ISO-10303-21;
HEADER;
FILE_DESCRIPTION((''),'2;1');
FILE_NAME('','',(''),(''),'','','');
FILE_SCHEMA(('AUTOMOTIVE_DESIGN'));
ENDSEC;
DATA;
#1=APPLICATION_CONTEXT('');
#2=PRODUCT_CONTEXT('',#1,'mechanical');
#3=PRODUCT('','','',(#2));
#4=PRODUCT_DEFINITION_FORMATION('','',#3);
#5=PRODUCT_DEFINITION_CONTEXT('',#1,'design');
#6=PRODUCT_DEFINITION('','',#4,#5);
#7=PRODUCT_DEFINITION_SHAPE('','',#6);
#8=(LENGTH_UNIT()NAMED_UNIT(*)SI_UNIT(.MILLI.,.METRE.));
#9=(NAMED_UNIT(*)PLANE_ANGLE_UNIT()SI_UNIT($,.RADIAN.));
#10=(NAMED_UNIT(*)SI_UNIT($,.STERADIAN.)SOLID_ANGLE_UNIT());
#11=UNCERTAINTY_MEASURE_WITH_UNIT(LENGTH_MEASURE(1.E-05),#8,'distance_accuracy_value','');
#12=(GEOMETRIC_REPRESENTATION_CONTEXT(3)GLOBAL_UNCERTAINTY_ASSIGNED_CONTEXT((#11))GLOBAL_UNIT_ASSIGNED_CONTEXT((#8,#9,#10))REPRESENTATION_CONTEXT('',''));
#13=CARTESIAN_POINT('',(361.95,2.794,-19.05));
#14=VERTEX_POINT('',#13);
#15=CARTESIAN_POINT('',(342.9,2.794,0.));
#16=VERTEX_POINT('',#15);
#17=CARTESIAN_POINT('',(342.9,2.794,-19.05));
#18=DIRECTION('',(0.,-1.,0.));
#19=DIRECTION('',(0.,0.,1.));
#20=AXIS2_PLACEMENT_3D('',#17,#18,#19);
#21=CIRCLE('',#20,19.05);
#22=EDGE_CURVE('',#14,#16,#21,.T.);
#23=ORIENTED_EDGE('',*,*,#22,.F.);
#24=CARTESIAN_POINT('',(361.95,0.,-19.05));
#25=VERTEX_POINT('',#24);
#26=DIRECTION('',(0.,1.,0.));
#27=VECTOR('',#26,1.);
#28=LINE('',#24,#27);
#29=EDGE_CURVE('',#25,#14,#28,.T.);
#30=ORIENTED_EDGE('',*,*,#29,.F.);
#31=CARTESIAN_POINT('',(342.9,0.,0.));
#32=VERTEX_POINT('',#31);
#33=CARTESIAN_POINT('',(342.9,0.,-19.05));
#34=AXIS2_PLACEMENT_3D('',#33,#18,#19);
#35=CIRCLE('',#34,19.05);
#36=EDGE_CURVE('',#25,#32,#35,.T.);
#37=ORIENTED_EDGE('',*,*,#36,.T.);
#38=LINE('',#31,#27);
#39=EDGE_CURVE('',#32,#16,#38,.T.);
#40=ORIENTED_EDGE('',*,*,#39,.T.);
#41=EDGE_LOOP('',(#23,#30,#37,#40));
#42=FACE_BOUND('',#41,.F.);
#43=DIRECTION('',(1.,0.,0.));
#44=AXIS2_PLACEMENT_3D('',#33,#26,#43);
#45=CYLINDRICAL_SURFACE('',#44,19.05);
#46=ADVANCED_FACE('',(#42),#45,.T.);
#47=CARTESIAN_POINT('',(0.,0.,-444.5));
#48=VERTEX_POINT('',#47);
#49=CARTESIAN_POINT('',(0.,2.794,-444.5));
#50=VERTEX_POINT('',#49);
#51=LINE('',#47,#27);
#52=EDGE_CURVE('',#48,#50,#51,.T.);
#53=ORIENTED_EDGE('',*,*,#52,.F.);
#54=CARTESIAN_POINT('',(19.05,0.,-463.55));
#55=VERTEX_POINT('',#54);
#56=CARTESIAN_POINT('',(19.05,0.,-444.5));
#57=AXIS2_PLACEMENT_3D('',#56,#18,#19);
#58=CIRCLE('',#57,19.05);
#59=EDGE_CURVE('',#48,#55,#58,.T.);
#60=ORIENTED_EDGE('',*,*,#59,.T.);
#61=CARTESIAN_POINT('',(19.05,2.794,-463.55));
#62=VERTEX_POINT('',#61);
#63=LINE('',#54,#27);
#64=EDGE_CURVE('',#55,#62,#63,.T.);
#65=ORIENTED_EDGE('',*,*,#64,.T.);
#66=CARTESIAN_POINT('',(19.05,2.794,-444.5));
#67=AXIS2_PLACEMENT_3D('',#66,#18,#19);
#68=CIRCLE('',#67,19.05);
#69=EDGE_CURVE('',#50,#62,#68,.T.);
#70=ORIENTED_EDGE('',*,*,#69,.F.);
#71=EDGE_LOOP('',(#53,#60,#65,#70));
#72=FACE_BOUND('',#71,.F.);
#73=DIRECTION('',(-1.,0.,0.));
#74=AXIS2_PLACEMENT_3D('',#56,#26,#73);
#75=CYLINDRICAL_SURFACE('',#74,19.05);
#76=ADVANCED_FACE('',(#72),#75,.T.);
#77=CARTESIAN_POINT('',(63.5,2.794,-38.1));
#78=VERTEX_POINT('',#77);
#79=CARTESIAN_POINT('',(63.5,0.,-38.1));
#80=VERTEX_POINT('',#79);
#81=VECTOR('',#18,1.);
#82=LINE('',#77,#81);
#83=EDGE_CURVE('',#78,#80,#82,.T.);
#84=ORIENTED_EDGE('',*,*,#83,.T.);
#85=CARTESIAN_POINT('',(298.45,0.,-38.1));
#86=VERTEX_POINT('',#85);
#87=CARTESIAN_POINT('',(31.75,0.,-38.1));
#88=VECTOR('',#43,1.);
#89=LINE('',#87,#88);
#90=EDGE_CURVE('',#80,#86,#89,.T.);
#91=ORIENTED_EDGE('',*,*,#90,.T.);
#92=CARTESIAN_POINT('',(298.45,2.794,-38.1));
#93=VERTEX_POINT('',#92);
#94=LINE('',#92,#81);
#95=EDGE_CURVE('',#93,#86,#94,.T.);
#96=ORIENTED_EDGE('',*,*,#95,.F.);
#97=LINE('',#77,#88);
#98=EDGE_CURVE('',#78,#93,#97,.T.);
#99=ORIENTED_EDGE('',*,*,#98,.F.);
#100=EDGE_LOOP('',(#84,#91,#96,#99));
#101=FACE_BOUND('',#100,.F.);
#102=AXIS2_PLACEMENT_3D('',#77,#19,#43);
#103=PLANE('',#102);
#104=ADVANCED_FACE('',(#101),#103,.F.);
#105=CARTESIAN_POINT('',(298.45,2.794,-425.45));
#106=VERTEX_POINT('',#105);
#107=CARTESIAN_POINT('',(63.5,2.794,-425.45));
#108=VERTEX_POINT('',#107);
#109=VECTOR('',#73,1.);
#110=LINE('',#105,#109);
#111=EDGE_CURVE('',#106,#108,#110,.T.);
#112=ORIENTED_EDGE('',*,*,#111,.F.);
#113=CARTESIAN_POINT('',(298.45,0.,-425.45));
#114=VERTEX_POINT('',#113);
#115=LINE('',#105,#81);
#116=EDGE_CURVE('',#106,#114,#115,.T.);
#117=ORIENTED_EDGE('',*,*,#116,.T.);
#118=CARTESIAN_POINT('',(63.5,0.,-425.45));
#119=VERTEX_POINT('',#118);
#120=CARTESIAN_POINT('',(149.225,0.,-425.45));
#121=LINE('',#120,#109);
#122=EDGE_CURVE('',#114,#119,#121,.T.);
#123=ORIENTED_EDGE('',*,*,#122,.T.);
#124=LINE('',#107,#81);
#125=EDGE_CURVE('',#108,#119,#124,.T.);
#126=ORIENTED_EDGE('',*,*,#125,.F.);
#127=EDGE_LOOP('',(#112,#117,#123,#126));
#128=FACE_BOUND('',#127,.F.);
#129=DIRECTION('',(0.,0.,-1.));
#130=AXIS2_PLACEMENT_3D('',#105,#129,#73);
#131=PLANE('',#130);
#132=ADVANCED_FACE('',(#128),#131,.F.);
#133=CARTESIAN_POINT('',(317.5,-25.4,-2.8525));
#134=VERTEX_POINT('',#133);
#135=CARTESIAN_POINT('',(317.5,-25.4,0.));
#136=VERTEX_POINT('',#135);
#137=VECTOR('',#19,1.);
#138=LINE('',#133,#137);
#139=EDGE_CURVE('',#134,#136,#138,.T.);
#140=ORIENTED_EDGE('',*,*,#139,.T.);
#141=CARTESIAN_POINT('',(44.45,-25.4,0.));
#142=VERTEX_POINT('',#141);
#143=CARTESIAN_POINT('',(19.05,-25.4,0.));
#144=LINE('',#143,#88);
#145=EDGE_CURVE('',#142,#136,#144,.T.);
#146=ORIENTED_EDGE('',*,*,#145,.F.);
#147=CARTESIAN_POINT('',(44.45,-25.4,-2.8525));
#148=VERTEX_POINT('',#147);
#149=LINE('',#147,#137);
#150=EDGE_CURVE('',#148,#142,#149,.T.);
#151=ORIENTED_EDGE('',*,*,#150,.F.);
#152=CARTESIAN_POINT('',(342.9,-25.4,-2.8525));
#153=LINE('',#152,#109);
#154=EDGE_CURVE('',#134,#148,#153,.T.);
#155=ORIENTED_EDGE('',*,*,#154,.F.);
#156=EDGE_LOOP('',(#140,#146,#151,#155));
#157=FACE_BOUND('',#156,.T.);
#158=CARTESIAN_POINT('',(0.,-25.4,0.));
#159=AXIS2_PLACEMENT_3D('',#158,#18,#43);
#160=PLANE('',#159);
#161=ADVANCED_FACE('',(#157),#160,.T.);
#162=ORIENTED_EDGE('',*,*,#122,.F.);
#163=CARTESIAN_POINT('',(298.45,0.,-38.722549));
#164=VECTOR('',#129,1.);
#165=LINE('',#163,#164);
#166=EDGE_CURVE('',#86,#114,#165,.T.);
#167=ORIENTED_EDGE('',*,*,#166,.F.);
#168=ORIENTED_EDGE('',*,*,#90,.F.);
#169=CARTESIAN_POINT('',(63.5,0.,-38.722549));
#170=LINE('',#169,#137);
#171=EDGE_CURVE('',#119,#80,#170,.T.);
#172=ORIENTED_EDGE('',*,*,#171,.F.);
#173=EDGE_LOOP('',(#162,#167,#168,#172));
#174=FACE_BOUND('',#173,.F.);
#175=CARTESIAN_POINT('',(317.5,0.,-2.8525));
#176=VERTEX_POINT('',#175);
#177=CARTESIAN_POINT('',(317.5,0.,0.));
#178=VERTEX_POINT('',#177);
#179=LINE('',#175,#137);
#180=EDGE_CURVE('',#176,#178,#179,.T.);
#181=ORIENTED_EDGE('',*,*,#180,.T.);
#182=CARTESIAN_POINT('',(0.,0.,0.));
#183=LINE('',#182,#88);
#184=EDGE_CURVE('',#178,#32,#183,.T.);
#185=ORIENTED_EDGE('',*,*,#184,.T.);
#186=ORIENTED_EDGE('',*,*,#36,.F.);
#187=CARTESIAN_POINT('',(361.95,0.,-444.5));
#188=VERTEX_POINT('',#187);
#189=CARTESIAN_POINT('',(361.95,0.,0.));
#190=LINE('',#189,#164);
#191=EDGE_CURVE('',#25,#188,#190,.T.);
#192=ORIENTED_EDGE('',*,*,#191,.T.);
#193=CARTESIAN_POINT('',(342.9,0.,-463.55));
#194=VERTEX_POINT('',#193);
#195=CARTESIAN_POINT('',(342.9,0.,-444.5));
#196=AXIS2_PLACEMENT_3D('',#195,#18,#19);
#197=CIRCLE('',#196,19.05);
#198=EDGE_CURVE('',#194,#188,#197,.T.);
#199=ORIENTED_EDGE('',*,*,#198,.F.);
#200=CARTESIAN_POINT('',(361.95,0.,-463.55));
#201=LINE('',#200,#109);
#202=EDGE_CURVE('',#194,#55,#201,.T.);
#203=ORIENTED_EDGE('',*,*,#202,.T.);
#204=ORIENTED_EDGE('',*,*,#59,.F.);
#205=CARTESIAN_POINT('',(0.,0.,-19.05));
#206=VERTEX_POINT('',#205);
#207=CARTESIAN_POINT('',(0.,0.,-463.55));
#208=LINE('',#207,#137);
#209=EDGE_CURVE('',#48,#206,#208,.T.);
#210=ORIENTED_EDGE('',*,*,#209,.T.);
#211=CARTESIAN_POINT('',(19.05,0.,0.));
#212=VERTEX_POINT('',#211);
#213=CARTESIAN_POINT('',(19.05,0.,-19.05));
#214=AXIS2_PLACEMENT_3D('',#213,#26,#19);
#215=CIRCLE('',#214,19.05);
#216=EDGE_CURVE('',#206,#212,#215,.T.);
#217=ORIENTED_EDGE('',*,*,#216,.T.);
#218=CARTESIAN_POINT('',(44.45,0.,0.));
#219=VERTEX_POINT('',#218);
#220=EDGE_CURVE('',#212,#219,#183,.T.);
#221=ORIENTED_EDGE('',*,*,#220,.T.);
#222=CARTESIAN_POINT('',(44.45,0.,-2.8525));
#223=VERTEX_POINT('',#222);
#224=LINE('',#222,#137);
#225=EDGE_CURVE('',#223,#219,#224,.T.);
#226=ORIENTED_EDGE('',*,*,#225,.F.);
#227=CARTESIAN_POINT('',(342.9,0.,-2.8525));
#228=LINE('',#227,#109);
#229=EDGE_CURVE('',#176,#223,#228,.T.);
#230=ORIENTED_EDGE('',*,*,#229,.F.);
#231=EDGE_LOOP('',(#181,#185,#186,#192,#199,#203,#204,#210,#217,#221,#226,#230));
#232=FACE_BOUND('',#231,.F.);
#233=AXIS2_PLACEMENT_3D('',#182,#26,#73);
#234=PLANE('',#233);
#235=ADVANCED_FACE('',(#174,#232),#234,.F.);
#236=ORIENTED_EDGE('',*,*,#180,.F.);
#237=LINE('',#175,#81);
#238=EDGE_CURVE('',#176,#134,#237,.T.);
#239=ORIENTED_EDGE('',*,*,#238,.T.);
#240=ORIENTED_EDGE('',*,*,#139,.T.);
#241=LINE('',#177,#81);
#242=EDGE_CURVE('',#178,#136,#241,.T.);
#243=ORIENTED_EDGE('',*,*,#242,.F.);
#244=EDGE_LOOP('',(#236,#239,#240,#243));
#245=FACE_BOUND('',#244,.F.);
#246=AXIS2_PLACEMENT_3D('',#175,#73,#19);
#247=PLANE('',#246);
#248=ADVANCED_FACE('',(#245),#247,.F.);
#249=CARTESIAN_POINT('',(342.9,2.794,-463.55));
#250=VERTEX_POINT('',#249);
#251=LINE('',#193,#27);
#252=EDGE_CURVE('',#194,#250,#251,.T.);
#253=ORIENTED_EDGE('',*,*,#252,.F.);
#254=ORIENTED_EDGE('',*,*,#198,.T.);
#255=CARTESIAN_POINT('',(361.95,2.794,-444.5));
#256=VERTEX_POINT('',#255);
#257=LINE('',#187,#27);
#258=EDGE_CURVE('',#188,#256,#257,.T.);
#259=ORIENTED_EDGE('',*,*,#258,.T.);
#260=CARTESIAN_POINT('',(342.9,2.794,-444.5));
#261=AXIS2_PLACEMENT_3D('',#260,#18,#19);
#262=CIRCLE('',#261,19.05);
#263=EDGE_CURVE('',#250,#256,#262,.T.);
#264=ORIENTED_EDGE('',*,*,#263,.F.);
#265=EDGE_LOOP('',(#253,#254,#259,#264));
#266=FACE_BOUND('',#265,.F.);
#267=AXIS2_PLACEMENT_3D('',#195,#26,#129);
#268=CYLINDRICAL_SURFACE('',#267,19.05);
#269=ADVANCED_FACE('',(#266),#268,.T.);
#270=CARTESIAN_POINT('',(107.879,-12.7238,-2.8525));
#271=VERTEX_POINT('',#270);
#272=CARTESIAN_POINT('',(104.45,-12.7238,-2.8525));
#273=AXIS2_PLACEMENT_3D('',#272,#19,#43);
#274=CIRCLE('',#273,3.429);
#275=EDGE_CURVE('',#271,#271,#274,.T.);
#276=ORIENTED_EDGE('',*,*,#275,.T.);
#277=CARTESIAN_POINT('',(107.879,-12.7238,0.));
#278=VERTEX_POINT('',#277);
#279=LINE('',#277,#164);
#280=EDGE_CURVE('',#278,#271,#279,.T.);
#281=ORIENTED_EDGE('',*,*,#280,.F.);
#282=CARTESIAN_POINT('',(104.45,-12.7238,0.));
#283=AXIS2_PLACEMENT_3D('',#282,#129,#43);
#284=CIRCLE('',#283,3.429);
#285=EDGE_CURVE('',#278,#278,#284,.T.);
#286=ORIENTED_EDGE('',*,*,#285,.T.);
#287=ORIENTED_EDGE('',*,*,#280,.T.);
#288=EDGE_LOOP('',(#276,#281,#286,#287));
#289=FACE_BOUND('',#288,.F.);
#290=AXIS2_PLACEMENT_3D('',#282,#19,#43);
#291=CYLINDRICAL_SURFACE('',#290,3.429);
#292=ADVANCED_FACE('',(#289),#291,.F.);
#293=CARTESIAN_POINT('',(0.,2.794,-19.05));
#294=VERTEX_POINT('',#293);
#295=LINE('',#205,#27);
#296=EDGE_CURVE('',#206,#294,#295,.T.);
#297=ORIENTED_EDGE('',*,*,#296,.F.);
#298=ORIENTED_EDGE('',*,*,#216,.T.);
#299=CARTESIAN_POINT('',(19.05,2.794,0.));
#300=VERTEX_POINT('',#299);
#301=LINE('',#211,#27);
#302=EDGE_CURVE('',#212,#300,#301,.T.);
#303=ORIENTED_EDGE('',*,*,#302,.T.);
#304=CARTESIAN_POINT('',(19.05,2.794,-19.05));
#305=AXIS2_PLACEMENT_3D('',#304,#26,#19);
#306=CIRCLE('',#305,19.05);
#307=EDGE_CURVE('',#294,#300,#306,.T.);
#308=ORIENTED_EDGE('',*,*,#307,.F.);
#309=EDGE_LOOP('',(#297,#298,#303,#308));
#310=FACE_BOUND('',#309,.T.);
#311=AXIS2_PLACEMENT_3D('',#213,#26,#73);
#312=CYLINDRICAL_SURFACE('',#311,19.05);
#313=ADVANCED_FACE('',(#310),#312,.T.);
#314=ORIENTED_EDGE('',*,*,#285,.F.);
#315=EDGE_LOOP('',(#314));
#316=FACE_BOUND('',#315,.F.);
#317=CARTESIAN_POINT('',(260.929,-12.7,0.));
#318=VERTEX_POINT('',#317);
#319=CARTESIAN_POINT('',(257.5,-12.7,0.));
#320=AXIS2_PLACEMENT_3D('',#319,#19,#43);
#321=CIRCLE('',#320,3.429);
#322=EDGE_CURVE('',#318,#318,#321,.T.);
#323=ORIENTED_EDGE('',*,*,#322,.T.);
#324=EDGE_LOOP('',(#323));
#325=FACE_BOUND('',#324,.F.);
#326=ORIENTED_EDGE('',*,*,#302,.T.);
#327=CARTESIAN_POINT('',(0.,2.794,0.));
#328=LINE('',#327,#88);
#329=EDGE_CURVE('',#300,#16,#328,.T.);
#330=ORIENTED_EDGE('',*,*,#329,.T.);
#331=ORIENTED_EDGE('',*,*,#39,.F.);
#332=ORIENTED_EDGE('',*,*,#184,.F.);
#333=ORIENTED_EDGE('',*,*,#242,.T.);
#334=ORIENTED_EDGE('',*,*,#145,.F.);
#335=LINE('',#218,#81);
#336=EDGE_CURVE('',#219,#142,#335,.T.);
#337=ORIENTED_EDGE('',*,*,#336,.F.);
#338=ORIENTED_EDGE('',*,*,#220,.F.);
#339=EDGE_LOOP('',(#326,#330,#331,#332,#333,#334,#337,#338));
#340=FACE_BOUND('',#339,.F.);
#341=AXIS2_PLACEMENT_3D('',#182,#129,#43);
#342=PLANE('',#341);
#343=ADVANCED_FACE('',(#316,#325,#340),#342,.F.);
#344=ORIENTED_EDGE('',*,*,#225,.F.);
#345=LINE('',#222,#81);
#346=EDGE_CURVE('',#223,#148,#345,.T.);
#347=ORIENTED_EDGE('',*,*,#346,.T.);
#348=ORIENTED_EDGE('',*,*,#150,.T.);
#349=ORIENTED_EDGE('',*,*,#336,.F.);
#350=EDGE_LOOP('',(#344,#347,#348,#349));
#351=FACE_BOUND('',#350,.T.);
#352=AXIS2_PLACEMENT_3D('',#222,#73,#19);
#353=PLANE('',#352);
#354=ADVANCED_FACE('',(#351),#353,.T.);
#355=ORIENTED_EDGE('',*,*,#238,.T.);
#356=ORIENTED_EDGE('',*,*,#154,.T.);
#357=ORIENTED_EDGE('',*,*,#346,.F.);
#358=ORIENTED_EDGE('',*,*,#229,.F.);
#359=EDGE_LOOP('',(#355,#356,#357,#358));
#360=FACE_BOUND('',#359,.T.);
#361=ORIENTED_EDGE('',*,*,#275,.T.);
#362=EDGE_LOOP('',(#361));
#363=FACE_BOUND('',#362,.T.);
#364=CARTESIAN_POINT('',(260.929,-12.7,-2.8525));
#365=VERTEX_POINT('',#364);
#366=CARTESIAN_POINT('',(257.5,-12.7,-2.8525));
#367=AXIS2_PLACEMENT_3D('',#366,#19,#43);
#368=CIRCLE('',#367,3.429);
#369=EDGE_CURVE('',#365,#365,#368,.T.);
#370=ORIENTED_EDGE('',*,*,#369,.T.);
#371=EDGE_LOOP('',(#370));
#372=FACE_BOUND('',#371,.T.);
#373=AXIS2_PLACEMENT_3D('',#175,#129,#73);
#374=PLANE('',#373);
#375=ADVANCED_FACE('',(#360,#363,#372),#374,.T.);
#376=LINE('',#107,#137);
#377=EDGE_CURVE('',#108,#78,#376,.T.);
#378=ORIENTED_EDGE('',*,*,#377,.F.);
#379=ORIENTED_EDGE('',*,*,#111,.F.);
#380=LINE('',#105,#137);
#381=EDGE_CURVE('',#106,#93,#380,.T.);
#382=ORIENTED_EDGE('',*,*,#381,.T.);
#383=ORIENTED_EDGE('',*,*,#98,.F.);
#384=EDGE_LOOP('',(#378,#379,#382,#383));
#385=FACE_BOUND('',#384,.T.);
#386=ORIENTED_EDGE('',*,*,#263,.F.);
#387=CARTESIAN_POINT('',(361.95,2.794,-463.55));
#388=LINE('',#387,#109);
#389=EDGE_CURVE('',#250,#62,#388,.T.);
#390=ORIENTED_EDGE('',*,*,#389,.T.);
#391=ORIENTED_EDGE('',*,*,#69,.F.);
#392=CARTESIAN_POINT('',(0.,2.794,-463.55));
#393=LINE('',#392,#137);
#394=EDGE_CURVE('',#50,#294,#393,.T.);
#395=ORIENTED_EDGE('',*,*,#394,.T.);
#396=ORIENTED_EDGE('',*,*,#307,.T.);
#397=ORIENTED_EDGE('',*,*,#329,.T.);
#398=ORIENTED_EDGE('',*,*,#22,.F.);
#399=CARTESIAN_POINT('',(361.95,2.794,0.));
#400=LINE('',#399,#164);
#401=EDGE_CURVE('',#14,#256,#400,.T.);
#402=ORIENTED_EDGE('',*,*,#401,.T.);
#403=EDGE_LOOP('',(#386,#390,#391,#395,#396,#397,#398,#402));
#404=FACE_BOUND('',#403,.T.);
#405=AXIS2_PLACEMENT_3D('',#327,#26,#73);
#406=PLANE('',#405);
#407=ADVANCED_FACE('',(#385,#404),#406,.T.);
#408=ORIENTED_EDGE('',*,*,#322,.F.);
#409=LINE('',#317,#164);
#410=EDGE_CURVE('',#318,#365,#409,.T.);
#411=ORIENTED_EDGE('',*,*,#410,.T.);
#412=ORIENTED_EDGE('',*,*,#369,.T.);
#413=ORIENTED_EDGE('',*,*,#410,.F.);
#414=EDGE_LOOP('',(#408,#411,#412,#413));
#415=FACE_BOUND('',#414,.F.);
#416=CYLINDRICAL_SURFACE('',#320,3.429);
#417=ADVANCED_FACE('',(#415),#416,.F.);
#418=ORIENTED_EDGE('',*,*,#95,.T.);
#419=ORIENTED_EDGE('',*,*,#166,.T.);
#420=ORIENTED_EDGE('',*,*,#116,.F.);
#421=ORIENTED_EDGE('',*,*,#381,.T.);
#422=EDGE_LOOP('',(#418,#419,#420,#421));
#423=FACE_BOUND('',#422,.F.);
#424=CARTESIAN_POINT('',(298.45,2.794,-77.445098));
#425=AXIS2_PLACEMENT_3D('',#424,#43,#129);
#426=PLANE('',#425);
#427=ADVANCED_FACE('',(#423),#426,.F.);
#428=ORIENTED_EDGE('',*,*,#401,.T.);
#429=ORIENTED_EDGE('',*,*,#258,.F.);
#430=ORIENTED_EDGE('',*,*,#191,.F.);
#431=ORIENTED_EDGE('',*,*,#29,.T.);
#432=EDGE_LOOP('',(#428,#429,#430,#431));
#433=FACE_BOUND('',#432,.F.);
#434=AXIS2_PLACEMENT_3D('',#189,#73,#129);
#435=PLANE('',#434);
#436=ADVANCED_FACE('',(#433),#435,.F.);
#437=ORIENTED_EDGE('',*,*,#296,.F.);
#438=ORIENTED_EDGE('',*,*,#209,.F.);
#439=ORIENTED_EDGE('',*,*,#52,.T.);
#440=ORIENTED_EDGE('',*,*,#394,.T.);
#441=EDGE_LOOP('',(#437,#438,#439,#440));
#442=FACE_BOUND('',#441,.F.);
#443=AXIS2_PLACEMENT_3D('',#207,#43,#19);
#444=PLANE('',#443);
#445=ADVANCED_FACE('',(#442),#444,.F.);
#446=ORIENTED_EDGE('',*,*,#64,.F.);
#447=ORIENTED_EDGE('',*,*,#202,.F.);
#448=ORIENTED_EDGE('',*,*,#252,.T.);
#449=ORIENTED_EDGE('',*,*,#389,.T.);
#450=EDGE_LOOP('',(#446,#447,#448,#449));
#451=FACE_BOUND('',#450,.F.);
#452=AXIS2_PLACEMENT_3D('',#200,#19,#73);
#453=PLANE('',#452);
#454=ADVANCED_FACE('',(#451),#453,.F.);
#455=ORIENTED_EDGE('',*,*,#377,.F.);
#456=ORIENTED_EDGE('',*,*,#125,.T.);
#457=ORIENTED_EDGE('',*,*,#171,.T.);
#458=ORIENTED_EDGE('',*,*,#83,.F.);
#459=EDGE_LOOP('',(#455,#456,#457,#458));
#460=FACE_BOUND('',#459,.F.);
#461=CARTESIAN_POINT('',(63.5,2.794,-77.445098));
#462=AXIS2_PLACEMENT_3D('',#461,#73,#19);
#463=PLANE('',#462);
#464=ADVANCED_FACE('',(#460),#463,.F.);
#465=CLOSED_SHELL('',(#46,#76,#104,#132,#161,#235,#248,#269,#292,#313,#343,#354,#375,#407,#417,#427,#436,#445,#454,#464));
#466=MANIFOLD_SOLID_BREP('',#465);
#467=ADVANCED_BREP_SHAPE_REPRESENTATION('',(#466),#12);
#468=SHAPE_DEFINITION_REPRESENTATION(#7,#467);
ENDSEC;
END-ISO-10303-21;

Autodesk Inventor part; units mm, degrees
ref_plane "YZ Plane" through (0, 0, 0) normal (1, 0, 0) x (0, 1, 0)
ref_plane "XZ Plane" through (0, 0, 0) normal (0, 1, 0) x (-1, 0, 0)
ref_plane "XY Plane" through (0, 0, 0) normal (0, 0, 1) x (1, 0, 0)
sketch "Sketch1" plane through (0, 0, 0) normal (0, 1, 0) x (-1, 0, 0)
  line L0 (0, 0) -> (-361.95, 0)
  line L1 (-361.95, 0) -> (-361.95, -463.55)
  line L2 (-361.95, -463.55) -> (0, -463.55)
  line L3 (0, -463.55) -> (0, 0)
  dimension "d0" = 361.95
  dimension "d1" = 463.55
extrude "Extrusion1" add sketch "Sketch1" along normal blind 2.794
fillet "Fillet1" radius 19.05 4 edges at (361.95, 1.397, 0) (361.95, 1.397, -463.55) (0, 1.397, -463.55) (0, 1.397, 0)
sketch "Sketch2" plane through (0, 0, 0) normal (0, -1, 0) x (1, 0, 0)
  line L0 (19.05, 0) -> (342.9, 0)
  line L1 (342.9, 0) -> (342.9, -2.8525)
  line L2 (342.9, -2.8525) -> (19.05, -2.8525)
  line L3 (19.05, -2.8525) -> (19.05, 0)
  line L4 (342.9, -2.8525) -> (317.5, -2.8525)
  line L5 (317.5, -2.8525) -> (317.5, 0)
  line L6 (317.5, 0) -> (342.9, 0)
  line L7 (342.9, 0) -> (342.9, -2.8525)
  line L8 (19.05, -2.8525) -> (44.45, -2.8525)
  line L9 (44.45, -2.8525) -> (44.45, 0)
  line L10 (44.45, 0) -> (19.05, 0)
  line L11 (19.05, 0) -> (19.05, -2.8525)
  line L12 (44.45, -2.8525) -> (317.5, -2.8525)
  line L13 (317.5, -2.8525) -> (317.5, 0)
  line L14 (317.5, 0) -> (44.45, 0)
  line L15 (44.45, 0) -> (44.45, -2.8525)
  point P0 (0, 0)
  dimension "d5" = 25.4
  dimension "d6" = 25.4
extrude "Extrusion2" add sketch "Sketch2" along normal blind 25.4 contours L0 L5 L2 L9
sketch "Sketch3" plane through (19.05, 2.794, 0) normal (0, 0, 1) x (1, 0, 0)
  line L0 (323.85, -2.794) -> (0, -2.794) projected
  line L1 (25.405, -2.794) -> (25.4, -15.494)
  line L2 (25.4, -2.794) -> (25.4, -28.194) projected
  line L3 (25.4, -15.494) -> (85.4, -15.5178)
  line L4 (298.45, -2.794) -> (298.45, -28.194) projected
  line L5 (298.45, -15.494) -> (238.45, -15.494)
  circle A0 centre (85.4, -15.5178) radius 3.429
  circle A1 centre (238.45, -15.494) radius 3.429
  point P0 (-19.05, -2.794)
  dimension "d9" = 12.7
  dimension "d10" = 60
  dimension "d11" = 60
  dimension "d12" = 6.858
  dimension "d13" = 6.858
extrude "Extrusion3" cut sketch "Sketch3" against normal blind 25.4 contours A0 | A1
sketch "Sketch4" plane through (0, 2.794, 0) normal (0, 1, 0) x (1, 0, 0)
  arc A0 (0, 19.05) -> (19.05, 0) centre (19.05, 19.05) ccw projected
  line L0 (19.05, 0) -> (342.9, 0) projected
  arc A1 (342.9, 0) -> (361.95, 19.05) centre (342.9, 19.05) ccw projected
  line L1 (361.95, 19.05) -> (361.95, 444.5) projected
  arc A2 (361.95, 444.5) -> (342.9, 463.55) centre (342.9, 444.5) ccw projected
  line L2 (342.9, 463.55) -> (19.05, 463.55) projected
  arc A3 (19.05, 463.55) -> (0, 444.5) centre (19.05, 444.5) ccw projected
  line L3 (0, 444.5) -> (0, 19.05) projected
  point P0 (0, 0)
sketch "Sketch5" plane through (0, 2.794, 0) normal (0, 1, 0) x (1, 0, 0)
  arc A0 (0, 19.05) -> (19.05, 0) centre (19.05, 19.05) ccw projected
  line L0 (19.05, 0) -> (342.9, 0) projected
  arc A1 (342.9, 0) -> (361.95, 19.05) centre (342.9, 19.05) ccw projected
  line L1 (361.95, 19.05) -> (361.95, 444.5) projected
  arc A2 (361.95, 444.5) -> (342.9, 463.55) centre (342.9, 444.5) ccw projected
  line L2 (342.9, 463.55) -> (19.05, 463.55) projected
  arc A3 (19.05, 463.55) -> (0, 444.5) centre (19.05, 444.5) ccw projected
  line L3 (0, 444.5) -> (0, 19.05) projected
  line L4 (342.9, 444.5) -> (19.05, 19.05)
  line L5 (342.9, 19.05) -> (19.05, 444.5)
  line L6 (298.45, 425.45) -> (63.5, 425.45)
  line L7 (63.5, 425.45) -> (63.5, 38.1)
  line L8 (63.5, 38.1) -> (298.45, 38.1)
  line L9 (298.45, 38.1) -> (298.45, 425.45)
  line L10 (298.45, 425.45) -> (63.5, 38.1) construction
  line L11 (63.5, 425.45) -> (298.45, 38.1) construction
  point P0 (0, 0)
  point P1 (180.975, 231.775)
  dimension "d16" = 234.95
  dimension "d17" = 387.35
extrude "Extrusion4" cut sketch "Sketch5" against normal blind 25.4 contours L9 L5 L4 | L4 L5 L7 L6 L9 | L5 L9 L8 L7 L4 | L4 L7 L5
properties part number "Cart_TOP_SHELF" material "Cart Material"
